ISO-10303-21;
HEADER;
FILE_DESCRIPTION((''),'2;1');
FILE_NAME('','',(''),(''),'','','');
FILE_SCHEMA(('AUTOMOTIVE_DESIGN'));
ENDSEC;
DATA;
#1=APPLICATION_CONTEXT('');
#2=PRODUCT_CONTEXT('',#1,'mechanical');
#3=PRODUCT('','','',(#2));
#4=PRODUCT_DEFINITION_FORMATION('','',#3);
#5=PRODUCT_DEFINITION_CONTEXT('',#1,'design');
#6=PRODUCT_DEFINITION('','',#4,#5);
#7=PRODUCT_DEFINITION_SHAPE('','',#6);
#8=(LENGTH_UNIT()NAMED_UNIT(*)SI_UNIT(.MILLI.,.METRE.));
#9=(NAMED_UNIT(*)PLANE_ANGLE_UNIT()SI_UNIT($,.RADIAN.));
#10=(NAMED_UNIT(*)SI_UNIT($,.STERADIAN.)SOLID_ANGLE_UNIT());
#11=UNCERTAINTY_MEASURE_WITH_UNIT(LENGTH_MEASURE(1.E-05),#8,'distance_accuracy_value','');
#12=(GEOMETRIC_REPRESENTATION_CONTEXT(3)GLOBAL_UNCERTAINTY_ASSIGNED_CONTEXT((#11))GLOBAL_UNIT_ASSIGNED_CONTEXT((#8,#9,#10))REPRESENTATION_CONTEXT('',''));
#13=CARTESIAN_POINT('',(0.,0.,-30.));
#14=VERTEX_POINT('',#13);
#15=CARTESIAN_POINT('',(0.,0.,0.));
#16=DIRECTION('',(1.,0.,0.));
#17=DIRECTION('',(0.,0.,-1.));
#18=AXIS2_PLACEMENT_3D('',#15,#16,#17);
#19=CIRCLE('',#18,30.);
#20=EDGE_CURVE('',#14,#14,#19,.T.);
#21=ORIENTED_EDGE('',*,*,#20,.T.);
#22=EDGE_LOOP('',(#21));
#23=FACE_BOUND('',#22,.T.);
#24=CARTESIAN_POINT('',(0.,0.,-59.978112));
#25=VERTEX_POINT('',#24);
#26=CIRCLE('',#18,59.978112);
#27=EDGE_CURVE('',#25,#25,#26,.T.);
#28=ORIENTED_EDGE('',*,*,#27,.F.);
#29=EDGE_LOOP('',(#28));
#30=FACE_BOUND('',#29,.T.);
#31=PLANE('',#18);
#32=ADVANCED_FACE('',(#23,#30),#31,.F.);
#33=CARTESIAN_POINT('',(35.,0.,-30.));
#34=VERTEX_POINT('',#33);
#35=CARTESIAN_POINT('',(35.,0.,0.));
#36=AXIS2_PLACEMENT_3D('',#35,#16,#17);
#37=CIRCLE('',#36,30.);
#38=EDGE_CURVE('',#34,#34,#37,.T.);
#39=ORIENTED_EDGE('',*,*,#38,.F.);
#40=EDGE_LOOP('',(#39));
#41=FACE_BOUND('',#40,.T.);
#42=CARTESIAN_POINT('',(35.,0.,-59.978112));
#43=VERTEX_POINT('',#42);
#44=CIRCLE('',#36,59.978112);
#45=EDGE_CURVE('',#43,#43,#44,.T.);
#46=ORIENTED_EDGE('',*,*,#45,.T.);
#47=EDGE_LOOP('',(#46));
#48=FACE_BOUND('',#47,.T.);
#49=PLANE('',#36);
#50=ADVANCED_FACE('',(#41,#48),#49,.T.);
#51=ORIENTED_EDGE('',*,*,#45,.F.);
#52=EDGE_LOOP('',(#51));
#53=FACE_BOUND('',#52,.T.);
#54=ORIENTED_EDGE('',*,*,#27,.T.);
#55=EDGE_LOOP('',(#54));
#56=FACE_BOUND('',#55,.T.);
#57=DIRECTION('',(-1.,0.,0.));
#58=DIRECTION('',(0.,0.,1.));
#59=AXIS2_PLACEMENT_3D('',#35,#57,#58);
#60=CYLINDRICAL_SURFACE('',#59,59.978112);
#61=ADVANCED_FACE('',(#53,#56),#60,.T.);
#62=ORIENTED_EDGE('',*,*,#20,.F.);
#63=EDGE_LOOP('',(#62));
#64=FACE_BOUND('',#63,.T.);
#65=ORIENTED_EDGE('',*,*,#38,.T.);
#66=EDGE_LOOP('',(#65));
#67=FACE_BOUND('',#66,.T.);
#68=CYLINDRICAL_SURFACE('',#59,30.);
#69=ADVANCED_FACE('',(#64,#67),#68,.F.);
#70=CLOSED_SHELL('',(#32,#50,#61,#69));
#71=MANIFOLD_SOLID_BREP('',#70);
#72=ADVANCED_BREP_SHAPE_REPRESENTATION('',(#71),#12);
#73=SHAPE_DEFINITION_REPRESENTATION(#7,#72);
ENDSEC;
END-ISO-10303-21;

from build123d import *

# Parameters (mm, degrees)
SKETCH1_R           = 59.978111755
SKETCH1_R_2         = 30
BOSS_EXTRUDE2_DEPTH = 35


with BuildPart() as part:
    # Sketch1 → Boss-Extrude2 (new body)
    with BuildSketch(Plane(origin=(0, 0, 0), x_dir=(0, 0, -1), z_dir=(1, 0, 0))):
        Circle(SKETCH1_R)
        Circle(SKETCH1_R_2, mode=Mode.SUBTRACT)
    extrude(amount=BOSS_EXTRUDE2_DEPTH)


solid = part.part
